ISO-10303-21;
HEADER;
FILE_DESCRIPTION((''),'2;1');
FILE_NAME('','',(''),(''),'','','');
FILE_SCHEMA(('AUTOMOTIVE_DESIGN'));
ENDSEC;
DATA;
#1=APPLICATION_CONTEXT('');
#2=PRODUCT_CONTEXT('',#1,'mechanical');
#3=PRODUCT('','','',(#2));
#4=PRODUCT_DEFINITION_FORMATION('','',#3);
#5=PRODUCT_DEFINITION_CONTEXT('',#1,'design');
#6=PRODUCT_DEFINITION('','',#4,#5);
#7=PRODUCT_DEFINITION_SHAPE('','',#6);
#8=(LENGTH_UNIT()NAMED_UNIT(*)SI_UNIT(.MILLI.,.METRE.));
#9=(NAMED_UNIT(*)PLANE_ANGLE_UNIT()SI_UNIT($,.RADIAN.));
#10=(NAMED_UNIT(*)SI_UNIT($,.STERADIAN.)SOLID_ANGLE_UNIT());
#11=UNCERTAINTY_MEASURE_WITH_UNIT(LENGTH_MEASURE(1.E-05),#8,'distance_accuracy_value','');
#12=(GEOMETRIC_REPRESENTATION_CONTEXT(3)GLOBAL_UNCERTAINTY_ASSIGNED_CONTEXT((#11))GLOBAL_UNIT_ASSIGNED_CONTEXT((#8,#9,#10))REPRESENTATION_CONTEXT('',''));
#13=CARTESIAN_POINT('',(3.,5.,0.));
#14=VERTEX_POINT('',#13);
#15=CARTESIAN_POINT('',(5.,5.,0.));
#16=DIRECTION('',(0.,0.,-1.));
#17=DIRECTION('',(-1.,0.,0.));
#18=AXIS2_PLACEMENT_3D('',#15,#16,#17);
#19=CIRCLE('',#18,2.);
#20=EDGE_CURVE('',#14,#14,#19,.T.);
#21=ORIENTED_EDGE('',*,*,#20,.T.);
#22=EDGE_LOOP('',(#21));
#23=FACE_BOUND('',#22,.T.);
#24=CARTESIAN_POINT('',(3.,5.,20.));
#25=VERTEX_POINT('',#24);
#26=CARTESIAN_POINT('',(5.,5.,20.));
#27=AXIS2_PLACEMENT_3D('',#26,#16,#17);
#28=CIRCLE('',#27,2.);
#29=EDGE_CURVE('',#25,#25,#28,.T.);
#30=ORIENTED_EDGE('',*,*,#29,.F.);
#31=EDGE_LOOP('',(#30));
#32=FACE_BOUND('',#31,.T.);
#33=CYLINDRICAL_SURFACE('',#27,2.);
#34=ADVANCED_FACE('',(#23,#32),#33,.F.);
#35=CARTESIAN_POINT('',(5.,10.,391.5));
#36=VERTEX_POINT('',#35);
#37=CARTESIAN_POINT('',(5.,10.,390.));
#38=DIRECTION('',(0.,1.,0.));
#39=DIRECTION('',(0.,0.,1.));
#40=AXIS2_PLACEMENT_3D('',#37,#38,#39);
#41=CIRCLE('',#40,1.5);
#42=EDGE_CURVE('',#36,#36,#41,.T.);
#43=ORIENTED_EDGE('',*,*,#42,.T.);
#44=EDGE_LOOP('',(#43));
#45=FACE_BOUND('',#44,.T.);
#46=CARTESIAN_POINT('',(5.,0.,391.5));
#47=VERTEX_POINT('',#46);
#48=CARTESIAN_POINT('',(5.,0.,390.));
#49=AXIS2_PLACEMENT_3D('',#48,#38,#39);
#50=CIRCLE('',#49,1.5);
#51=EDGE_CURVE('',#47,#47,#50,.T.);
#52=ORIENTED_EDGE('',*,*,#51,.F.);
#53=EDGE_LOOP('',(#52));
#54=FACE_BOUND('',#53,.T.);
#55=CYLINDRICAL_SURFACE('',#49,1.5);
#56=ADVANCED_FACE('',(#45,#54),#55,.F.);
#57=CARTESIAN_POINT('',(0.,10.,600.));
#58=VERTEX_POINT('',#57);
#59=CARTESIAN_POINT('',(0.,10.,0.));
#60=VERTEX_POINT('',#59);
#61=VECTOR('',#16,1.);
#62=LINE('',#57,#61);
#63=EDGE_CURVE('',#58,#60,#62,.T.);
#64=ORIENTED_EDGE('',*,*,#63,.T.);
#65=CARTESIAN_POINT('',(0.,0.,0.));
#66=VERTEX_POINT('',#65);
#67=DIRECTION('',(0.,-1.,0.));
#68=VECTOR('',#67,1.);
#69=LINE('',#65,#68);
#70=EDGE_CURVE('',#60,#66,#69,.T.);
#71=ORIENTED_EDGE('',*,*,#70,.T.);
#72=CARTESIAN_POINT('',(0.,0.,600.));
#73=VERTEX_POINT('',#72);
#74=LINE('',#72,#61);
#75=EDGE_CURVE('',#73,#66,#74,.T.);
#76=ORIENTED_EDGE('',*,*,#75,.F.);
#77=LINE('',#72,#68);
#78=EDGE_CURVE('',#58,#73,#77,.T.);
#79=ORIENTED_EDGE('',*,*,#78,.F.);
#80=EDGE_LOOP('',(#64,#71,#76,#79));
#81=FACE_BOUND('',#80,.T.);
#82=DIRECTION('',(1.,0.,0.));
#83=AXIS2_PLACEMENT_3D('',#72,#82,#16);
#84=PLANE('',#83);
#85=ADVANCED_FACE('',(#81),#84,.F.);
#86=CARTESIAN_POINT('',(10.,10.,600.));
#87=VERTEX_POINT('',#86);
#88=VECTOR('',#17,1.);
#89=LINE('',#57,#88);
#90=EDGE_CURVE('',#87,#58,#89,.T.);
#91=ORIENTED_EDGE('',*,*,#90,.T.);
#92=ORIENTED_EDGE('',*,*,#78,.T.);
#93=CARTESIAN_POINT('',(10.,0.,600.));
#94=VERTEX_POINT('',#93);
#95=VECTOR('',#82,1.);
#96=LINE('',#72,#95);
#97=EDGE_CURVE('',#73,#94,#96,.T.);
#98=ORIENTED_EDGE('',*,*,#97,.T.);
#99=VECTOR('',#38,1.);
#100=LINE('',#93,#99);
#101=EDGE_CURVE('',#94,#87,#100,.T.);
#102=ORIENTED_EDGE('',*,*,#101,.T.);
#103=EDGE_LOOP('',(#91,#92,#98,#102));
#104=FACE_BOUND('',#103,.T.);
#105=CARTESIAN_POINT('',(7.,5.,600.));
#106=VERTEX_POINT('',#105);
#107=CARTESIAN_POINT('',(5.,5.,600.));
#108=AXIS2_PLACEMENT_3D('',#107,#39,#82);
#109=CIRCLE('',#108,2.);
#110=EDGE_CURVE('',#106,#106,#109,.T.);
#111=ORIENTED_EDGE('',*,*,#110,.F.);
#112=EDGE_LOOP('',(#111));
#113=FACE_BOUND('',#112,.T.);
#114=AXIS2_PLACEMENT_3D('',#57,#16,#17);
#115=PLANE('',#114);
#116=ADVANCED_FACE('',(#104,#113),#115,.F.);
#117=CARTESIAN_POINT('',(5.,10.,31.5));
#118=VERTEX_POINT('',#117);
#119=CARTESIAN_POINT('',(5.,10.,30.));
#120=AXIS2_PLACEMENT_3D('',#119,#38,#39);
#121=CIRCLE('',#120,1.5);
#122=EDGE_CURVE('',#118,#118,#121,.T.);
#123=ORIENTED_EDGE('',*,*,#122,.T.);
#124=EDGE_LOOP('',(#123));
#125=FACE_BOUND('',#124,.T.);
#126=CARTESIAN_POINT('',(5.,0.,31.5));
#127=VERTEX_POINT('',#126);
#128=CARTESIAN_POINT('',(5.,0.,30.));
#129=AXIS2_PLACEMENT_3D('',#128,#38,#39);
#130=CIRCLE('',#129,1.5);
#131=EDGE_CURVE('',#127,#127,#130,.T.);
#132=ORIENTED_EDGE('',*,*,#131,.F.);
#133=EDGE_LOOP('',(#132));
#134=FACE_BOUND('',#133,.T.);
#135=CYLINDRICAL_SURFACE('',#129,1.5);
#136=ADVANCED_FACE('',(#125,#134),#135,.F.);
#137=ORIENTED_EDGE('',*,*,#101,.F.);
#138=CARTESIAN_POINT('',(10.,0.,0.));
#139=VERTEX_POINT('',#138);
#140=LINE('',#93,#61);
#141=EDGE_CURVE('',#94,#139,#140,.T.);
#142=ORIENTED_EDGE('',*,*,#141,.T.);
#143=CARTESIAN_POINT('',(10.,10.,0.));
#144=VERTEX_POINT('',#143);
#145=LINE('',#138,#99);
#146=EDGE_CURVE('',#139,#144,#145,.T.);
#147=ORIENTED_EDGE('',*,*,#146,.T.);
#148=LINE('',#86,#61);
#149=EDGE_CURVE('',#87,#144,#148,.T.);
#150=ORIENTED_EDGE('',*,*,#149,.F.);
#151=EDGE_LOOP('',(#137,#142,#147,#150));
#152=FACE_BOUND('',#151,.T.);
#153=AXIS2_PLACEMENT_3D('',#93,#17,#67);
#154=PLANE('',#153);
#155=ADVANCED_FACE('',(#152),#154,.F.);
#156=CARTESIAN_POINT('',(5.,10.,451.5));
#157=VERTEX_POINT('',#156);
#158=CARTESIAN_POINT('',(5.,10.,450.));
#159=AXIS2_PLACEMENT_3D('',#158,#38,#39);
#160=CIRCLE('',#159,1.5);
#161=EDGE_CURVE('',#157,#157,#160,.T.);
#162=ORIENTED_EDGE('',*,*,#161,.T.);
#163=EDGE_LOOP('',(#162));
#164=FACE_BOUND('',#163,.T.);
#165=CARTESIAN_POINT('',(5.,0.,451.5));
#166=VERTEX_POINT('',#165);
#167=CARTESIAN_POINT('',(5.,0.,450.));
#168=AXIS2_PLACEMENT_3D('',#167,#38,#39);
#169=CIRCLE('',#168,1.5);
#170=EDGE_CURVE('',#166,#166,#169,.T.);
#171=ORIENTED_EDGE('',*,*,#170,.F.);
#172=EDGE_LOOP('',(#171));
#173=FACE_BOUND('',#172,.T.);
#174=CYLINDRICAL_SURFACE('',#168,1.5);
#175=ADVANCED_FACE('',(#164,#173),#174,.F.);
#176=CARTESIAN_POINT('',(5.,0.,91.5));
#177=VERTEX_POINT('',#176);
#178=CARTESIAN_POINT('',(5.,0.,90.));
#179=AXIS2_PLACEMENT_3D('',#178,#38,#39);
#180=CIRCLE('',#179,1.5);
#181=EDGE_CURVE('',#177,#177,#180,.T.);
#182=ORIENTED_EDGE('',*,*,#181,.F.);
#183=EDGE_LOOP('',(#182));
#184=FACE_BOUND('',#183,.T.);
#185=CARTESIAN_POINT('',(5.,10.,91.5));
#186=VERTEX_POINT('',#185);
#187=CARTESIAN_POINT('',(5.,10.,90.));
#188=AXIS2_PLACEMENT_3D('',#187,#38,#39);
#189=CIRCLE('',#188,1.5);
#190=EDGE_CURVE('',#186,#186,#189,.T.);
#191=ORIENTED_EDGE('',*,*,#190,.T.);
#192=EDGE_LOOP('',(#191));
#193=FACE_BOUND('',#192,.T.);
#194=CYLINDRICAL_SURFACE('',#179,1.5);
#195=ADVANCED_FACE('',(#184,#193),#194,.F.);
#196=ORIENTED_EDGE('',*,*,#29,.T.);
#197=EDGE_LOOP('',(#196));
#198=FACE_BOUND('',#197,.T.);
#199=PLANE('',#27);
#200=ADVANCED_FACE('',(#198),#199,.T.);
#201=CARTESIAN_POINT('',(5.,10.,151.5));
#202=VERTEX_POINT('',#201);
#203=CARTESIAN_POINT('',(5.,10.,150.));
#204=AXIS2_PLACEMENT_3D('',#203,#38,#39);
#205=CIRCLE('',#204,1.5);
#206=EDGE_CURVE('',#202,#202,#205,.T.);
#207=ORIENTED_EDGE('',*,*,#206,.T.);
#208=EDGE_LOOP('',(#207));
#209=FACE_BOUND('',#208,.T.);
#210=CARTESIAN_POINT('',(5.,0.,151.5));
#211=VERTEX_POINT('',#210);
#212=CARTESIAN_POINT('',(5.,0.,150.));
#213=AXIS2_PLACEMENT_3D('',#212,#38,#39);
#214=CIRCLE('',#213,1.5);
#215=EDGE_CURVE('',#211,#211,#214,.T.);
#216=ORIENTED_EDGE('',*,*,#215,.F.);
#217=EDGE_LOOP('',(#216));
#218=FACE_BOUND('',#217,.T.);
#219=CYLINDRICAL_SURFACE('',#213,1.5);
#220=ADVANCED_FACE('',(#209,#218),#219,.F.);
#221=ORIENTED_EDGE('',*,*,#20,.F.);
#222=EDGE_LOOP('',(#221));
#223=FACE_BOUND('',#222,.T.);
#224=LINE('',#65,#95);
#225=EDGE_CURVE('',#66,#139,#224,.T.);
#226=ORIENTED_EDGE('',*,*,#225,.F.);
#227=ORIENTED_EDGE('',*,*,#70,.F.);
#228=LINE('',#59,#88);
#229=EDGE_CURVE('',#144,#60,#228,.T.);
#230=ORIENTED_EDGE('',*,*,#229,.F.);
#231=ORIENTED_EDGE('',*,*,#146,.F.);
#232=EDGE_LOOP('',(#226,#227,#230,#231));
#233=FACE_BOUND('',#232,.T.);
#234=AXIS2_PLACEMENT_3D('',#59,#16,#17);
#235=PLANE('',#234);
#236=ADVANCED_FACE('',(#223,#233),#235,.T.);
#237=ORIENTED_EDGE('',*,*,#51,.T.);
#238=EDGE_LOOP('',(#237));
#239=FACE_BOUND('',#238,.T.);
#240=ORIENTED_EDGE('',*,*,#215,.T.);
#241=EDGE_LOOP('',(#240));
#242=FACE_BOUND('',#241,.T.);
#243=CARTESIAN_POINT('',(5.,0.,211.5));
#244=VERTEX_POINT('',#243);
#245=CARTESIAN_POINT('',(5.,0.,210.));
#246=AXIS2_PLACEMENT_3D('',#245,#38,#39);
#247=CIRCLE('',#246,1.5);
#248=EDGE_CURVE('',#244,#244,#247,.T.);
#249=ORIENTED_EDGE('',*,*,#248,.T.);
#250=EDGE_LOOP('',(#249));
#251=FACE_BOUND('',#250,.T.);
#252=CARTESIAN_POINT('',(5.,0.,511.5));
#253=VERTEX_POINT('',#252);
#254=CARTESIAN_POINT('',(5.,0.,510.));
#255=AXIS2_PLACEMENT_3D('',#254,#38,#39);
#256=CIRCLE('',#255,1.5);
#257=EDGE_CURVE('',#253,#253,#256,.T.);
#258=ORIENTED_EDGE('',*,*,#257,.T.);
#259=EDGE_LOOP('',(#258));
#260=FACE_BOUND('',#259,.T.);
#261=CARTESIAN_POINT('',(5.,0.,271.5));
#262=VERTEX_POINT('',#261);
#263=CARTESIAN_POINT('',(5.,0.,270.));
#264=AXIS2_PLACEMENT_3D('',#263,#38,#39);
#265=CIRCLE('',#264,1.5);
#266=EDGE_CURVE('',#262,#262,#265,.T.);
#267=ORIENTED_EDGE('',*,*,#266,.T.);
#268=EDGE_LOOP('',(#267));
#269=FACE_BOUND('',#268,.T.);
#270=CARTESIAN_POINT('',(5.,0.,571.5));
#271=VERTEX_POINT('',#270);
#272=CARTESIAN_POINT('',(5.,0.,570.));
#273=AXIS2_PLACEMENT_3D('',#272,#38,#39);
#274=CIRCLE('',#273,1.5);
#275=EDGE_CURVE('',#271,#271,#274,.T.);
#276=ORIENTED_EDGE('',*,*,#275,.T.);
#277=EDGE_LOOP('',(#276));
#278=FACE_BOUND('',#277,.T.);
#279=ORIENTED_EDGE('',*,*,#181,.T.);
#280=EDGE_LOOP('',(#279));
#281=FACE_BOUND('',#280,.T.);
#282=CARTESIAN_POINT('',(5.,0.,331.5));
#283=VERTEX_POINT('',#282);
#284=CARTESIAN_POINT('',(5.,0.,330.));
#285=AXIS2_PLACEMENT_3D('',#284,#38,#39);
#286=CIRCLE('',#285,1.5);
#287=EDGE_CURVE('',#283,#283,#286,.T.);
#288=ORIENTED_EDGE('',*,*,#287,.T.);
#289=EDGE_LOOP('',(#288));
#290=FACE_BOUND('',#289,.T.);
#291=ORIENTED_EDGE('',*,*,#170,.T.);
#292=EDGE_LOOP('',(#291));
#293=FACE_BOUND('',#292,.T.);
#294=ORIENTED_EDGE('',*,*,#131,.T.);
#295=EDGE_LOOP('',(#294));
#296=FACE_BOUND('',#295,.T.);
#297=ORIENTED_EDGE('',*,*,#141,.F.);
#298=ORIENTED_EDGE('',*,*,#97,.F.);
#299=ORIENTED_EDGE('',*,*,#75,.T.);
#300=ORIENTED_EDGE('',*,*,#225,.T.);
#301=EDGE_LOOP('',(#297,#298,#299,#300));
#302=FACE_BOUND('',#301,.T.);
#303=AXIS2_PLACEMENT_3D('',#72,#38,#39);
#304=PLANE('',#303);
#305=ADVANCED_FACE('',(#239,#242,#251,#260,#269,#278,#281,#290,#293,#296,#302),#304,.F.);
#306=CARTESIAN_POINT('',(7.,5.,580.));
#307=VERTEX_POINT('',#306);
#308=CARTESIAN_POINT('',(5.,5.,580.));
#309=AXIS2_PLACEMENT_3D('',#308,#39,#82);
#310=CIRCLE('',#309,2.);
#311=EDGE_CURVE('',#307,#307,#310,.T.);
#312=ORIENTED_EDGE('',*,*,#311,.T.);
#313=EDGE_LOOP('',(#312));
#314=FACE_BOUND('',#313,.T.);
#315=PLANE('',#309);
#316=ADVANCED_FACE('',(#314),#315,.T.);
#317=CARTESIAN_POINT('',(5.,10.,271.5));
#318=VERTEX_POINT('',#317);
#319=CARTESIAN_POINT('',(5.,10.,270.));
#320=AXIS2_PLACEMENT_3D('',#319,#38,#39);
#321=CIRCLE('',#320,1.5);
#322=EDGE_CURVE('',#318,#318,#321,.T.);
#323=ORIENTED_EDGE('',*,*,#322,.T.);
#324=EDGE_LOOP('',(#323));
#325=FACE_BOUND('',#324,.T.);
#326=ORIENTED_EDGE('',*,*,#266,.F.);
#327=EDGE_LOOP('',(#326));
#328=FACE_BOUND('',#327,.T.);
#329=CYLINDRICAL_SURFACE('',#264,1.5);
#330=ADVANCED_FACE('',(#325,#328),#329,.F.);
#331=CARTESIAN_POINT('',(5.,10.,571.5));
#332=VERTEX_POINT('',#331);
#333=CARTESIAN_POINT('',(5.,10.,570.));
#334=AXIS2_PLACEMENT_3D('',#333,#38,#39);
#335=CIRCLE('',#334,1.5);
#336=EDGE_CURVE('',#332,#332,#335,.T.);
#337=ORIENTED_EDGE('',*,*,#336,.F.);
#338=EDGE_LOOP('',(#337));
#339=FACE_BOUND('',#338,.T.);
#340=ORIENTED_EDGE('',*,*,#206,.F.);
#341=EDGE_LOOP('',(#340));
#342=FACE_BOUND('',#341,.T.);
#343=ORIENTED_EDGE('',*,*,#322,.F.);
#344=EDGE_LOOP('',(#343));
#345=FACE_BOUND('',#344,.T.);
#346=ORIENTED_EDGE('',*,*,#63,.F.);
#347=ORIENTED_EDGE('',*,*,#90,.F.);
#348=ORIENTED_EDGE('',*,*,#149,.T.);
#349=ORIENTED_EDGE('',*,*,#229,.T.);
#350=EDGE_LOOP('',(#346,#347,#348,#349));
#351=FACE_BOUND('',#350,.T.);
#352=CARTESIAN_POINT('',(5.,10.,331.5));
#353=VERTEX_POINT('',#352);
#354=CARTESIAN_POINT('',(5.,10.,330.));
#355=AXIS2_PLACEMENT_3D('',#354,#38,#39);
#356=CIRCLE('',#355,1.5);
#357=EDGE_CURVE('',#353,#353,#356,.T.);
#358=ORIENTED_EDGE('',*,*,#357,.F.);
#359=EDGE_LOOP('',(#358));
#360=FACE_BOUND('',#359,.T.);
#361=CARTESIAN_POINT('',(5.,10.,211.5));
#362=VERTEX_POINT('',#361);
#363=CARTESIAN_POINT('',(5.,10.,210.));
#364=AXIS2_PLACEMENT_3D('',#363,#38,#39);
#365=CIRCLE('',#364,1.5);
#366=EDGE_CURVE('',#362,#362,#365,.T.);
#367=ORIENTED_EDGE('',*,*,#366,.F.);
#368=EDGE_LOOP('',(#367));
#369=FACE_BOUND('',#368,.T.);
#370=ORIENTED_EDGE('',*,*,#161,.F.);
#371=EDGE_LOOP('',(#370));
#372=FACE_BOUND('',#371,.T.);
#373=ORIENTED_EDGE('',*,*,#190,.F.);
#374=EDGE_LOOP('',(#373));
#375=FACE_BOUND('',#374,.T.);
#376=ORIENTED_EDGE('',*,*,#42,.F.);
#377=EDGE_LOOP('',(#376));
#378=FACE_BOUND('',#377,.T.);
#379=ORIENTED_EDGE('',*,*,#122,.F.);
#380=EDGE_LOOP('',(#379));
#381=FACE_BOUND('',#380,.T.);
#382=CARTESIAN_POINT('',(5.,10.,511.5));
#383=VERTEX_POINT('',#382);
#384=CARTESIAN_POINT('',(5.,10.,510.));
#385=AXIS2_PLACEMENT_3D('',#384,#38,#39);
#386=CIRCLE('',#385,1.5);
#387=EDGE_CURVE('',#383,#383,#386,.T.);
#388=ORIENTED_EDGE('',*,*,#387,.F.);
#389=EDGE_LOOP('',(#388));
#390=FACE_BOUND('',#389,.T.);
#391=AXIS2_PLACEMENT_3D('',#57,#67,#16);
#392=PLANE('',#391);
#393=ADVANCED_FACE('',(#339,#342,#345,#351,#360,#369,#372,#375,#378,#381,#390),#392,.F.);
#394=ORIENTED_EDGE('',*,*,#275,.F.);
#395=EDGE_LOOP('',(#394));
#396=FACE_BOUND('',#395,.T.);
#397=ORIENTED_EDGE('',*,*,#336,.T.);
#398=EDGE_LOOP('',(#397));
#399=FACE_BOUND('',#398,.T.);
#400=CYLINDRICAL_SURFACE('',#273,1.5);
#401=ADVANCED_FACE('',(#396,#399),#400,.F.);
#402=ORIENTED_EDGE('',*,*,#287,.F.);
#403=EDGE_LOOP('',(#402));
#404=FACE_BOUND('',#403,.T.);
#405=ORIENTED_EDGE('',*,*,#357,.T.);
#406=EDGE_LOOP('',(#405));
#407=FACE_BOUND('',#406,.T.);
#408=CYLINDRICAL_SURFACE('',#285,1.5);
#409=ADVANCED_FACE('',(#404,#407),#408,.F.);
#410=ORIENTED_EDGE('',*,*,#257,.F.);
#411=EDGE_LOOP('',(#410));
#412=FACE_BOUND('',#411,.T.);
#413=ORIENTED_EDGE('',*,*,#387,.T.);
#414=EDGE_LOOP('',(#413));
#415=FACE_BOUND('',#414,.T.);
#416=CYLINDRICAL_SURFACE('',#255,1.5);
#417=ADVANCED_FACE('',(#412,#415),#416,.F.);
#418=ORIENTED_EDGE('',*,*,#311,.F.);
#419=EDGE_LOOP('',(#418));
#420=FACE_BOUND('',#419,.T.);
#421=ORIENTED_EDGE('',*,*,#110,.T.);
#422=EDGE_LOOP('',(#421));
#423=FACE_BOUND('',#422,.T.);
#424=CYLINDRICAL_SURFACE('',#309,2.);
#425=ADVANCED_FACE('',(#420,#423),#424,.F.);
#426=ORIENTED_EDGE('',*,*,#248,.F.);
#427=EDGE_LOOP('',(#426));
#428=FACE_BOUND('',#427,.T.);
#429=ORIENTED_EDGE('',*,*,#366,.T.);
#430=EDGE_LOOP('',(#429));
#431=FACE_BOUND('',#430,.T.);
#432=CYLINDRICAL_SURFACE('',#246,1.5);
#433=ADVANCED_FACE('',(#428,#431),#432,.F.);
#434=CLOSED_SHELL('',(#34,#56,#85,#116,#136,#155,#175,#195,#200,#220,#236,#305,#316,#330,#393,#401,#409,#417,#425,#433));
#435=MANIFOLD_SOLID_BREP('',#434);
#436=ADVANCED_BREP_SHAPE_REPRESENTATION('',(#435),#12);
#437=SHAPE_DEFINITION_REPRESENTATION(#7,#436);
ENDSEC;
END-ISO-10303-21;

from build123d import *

# Parameters (mm, degrees)
SKETCH1_W          = 10
SKETCH1_H          = 10
EXTRUDE1_DEPTH     = 600
SKETCH2_R          = 2
CUT_EXTRUDE1_DEPTH = 20
CUT_EXTRUDE2_START = -20
SKETCH3_R          = 2
CUT_EXTRUDE2_DEPTH = 20
SKETCH4_R          = 1.5
CUT_EXTRUDE3_DEPTH = 601.166643525
LPATTERN1_COUNT    = 10
LPATTERN1_PITCH    = 60


with BuildPart() as part:
    # Sketch1 → Extrude1 (new body)
    with BuildSketch(Plane.XY):
        with Locations((5, 5)):
            Rectangle(SKETCH1_W, SKETCH1_H)
    extrude(amount=EXTRUDE1_DEPTH)

    # Sketch2 → Cut-Extrude1 (cut)
    with BuildSketch(Plane.XY.offset(600)):
        with Locations((5, 5)):
            Circle(SKETCH2_R)
    extrude(amount=-CUT_EXTRUDE1_DEPTH, mode=Mode.SUBTRACT)

    # Sketch3 → Cut-Extrude2 (cut)
    with BuildSketch(Plane(origin=(0, 0, 0), x_dir=(-1, 0, 0), z_dir=(0, 0, -1)).offset(CUT_EXTRUDE2_START)):
        with Locations(Location((-5, 5, 0), (0, 0, 180))):
            Circle(SKETCH3_R)
    extrude(amount=CUT_EXTRUDE2_DEPTH, mode=Mode.SUBTRACT)

    # Sketch4 → Cut-Extrude3 (cut, through all)
    with BuildSketch(Plane(origin=(0, 10, 0), x_dir=(-1, 0, 0), z_dir=(0, 1, 0))):
        with Locations(Location((-5, 30, 0), (0, 0, 90))):
            Circle(SKETCH4_R)
    cut_extrude3 = extrude(amount=-CUT_EXTRUDE3_DEPTH, mode=Mode.SUBTRACT)

    # LPattern1: Cut-Extrude3 ×10
    with Locations(*[(0, 0, i * LPATTERN1_PITCH) for i in range(1, LPATTERN1_COUNT)]):
        add(cut_extrude3, mode=Mode.SUBTRACT)


solid = part.part
